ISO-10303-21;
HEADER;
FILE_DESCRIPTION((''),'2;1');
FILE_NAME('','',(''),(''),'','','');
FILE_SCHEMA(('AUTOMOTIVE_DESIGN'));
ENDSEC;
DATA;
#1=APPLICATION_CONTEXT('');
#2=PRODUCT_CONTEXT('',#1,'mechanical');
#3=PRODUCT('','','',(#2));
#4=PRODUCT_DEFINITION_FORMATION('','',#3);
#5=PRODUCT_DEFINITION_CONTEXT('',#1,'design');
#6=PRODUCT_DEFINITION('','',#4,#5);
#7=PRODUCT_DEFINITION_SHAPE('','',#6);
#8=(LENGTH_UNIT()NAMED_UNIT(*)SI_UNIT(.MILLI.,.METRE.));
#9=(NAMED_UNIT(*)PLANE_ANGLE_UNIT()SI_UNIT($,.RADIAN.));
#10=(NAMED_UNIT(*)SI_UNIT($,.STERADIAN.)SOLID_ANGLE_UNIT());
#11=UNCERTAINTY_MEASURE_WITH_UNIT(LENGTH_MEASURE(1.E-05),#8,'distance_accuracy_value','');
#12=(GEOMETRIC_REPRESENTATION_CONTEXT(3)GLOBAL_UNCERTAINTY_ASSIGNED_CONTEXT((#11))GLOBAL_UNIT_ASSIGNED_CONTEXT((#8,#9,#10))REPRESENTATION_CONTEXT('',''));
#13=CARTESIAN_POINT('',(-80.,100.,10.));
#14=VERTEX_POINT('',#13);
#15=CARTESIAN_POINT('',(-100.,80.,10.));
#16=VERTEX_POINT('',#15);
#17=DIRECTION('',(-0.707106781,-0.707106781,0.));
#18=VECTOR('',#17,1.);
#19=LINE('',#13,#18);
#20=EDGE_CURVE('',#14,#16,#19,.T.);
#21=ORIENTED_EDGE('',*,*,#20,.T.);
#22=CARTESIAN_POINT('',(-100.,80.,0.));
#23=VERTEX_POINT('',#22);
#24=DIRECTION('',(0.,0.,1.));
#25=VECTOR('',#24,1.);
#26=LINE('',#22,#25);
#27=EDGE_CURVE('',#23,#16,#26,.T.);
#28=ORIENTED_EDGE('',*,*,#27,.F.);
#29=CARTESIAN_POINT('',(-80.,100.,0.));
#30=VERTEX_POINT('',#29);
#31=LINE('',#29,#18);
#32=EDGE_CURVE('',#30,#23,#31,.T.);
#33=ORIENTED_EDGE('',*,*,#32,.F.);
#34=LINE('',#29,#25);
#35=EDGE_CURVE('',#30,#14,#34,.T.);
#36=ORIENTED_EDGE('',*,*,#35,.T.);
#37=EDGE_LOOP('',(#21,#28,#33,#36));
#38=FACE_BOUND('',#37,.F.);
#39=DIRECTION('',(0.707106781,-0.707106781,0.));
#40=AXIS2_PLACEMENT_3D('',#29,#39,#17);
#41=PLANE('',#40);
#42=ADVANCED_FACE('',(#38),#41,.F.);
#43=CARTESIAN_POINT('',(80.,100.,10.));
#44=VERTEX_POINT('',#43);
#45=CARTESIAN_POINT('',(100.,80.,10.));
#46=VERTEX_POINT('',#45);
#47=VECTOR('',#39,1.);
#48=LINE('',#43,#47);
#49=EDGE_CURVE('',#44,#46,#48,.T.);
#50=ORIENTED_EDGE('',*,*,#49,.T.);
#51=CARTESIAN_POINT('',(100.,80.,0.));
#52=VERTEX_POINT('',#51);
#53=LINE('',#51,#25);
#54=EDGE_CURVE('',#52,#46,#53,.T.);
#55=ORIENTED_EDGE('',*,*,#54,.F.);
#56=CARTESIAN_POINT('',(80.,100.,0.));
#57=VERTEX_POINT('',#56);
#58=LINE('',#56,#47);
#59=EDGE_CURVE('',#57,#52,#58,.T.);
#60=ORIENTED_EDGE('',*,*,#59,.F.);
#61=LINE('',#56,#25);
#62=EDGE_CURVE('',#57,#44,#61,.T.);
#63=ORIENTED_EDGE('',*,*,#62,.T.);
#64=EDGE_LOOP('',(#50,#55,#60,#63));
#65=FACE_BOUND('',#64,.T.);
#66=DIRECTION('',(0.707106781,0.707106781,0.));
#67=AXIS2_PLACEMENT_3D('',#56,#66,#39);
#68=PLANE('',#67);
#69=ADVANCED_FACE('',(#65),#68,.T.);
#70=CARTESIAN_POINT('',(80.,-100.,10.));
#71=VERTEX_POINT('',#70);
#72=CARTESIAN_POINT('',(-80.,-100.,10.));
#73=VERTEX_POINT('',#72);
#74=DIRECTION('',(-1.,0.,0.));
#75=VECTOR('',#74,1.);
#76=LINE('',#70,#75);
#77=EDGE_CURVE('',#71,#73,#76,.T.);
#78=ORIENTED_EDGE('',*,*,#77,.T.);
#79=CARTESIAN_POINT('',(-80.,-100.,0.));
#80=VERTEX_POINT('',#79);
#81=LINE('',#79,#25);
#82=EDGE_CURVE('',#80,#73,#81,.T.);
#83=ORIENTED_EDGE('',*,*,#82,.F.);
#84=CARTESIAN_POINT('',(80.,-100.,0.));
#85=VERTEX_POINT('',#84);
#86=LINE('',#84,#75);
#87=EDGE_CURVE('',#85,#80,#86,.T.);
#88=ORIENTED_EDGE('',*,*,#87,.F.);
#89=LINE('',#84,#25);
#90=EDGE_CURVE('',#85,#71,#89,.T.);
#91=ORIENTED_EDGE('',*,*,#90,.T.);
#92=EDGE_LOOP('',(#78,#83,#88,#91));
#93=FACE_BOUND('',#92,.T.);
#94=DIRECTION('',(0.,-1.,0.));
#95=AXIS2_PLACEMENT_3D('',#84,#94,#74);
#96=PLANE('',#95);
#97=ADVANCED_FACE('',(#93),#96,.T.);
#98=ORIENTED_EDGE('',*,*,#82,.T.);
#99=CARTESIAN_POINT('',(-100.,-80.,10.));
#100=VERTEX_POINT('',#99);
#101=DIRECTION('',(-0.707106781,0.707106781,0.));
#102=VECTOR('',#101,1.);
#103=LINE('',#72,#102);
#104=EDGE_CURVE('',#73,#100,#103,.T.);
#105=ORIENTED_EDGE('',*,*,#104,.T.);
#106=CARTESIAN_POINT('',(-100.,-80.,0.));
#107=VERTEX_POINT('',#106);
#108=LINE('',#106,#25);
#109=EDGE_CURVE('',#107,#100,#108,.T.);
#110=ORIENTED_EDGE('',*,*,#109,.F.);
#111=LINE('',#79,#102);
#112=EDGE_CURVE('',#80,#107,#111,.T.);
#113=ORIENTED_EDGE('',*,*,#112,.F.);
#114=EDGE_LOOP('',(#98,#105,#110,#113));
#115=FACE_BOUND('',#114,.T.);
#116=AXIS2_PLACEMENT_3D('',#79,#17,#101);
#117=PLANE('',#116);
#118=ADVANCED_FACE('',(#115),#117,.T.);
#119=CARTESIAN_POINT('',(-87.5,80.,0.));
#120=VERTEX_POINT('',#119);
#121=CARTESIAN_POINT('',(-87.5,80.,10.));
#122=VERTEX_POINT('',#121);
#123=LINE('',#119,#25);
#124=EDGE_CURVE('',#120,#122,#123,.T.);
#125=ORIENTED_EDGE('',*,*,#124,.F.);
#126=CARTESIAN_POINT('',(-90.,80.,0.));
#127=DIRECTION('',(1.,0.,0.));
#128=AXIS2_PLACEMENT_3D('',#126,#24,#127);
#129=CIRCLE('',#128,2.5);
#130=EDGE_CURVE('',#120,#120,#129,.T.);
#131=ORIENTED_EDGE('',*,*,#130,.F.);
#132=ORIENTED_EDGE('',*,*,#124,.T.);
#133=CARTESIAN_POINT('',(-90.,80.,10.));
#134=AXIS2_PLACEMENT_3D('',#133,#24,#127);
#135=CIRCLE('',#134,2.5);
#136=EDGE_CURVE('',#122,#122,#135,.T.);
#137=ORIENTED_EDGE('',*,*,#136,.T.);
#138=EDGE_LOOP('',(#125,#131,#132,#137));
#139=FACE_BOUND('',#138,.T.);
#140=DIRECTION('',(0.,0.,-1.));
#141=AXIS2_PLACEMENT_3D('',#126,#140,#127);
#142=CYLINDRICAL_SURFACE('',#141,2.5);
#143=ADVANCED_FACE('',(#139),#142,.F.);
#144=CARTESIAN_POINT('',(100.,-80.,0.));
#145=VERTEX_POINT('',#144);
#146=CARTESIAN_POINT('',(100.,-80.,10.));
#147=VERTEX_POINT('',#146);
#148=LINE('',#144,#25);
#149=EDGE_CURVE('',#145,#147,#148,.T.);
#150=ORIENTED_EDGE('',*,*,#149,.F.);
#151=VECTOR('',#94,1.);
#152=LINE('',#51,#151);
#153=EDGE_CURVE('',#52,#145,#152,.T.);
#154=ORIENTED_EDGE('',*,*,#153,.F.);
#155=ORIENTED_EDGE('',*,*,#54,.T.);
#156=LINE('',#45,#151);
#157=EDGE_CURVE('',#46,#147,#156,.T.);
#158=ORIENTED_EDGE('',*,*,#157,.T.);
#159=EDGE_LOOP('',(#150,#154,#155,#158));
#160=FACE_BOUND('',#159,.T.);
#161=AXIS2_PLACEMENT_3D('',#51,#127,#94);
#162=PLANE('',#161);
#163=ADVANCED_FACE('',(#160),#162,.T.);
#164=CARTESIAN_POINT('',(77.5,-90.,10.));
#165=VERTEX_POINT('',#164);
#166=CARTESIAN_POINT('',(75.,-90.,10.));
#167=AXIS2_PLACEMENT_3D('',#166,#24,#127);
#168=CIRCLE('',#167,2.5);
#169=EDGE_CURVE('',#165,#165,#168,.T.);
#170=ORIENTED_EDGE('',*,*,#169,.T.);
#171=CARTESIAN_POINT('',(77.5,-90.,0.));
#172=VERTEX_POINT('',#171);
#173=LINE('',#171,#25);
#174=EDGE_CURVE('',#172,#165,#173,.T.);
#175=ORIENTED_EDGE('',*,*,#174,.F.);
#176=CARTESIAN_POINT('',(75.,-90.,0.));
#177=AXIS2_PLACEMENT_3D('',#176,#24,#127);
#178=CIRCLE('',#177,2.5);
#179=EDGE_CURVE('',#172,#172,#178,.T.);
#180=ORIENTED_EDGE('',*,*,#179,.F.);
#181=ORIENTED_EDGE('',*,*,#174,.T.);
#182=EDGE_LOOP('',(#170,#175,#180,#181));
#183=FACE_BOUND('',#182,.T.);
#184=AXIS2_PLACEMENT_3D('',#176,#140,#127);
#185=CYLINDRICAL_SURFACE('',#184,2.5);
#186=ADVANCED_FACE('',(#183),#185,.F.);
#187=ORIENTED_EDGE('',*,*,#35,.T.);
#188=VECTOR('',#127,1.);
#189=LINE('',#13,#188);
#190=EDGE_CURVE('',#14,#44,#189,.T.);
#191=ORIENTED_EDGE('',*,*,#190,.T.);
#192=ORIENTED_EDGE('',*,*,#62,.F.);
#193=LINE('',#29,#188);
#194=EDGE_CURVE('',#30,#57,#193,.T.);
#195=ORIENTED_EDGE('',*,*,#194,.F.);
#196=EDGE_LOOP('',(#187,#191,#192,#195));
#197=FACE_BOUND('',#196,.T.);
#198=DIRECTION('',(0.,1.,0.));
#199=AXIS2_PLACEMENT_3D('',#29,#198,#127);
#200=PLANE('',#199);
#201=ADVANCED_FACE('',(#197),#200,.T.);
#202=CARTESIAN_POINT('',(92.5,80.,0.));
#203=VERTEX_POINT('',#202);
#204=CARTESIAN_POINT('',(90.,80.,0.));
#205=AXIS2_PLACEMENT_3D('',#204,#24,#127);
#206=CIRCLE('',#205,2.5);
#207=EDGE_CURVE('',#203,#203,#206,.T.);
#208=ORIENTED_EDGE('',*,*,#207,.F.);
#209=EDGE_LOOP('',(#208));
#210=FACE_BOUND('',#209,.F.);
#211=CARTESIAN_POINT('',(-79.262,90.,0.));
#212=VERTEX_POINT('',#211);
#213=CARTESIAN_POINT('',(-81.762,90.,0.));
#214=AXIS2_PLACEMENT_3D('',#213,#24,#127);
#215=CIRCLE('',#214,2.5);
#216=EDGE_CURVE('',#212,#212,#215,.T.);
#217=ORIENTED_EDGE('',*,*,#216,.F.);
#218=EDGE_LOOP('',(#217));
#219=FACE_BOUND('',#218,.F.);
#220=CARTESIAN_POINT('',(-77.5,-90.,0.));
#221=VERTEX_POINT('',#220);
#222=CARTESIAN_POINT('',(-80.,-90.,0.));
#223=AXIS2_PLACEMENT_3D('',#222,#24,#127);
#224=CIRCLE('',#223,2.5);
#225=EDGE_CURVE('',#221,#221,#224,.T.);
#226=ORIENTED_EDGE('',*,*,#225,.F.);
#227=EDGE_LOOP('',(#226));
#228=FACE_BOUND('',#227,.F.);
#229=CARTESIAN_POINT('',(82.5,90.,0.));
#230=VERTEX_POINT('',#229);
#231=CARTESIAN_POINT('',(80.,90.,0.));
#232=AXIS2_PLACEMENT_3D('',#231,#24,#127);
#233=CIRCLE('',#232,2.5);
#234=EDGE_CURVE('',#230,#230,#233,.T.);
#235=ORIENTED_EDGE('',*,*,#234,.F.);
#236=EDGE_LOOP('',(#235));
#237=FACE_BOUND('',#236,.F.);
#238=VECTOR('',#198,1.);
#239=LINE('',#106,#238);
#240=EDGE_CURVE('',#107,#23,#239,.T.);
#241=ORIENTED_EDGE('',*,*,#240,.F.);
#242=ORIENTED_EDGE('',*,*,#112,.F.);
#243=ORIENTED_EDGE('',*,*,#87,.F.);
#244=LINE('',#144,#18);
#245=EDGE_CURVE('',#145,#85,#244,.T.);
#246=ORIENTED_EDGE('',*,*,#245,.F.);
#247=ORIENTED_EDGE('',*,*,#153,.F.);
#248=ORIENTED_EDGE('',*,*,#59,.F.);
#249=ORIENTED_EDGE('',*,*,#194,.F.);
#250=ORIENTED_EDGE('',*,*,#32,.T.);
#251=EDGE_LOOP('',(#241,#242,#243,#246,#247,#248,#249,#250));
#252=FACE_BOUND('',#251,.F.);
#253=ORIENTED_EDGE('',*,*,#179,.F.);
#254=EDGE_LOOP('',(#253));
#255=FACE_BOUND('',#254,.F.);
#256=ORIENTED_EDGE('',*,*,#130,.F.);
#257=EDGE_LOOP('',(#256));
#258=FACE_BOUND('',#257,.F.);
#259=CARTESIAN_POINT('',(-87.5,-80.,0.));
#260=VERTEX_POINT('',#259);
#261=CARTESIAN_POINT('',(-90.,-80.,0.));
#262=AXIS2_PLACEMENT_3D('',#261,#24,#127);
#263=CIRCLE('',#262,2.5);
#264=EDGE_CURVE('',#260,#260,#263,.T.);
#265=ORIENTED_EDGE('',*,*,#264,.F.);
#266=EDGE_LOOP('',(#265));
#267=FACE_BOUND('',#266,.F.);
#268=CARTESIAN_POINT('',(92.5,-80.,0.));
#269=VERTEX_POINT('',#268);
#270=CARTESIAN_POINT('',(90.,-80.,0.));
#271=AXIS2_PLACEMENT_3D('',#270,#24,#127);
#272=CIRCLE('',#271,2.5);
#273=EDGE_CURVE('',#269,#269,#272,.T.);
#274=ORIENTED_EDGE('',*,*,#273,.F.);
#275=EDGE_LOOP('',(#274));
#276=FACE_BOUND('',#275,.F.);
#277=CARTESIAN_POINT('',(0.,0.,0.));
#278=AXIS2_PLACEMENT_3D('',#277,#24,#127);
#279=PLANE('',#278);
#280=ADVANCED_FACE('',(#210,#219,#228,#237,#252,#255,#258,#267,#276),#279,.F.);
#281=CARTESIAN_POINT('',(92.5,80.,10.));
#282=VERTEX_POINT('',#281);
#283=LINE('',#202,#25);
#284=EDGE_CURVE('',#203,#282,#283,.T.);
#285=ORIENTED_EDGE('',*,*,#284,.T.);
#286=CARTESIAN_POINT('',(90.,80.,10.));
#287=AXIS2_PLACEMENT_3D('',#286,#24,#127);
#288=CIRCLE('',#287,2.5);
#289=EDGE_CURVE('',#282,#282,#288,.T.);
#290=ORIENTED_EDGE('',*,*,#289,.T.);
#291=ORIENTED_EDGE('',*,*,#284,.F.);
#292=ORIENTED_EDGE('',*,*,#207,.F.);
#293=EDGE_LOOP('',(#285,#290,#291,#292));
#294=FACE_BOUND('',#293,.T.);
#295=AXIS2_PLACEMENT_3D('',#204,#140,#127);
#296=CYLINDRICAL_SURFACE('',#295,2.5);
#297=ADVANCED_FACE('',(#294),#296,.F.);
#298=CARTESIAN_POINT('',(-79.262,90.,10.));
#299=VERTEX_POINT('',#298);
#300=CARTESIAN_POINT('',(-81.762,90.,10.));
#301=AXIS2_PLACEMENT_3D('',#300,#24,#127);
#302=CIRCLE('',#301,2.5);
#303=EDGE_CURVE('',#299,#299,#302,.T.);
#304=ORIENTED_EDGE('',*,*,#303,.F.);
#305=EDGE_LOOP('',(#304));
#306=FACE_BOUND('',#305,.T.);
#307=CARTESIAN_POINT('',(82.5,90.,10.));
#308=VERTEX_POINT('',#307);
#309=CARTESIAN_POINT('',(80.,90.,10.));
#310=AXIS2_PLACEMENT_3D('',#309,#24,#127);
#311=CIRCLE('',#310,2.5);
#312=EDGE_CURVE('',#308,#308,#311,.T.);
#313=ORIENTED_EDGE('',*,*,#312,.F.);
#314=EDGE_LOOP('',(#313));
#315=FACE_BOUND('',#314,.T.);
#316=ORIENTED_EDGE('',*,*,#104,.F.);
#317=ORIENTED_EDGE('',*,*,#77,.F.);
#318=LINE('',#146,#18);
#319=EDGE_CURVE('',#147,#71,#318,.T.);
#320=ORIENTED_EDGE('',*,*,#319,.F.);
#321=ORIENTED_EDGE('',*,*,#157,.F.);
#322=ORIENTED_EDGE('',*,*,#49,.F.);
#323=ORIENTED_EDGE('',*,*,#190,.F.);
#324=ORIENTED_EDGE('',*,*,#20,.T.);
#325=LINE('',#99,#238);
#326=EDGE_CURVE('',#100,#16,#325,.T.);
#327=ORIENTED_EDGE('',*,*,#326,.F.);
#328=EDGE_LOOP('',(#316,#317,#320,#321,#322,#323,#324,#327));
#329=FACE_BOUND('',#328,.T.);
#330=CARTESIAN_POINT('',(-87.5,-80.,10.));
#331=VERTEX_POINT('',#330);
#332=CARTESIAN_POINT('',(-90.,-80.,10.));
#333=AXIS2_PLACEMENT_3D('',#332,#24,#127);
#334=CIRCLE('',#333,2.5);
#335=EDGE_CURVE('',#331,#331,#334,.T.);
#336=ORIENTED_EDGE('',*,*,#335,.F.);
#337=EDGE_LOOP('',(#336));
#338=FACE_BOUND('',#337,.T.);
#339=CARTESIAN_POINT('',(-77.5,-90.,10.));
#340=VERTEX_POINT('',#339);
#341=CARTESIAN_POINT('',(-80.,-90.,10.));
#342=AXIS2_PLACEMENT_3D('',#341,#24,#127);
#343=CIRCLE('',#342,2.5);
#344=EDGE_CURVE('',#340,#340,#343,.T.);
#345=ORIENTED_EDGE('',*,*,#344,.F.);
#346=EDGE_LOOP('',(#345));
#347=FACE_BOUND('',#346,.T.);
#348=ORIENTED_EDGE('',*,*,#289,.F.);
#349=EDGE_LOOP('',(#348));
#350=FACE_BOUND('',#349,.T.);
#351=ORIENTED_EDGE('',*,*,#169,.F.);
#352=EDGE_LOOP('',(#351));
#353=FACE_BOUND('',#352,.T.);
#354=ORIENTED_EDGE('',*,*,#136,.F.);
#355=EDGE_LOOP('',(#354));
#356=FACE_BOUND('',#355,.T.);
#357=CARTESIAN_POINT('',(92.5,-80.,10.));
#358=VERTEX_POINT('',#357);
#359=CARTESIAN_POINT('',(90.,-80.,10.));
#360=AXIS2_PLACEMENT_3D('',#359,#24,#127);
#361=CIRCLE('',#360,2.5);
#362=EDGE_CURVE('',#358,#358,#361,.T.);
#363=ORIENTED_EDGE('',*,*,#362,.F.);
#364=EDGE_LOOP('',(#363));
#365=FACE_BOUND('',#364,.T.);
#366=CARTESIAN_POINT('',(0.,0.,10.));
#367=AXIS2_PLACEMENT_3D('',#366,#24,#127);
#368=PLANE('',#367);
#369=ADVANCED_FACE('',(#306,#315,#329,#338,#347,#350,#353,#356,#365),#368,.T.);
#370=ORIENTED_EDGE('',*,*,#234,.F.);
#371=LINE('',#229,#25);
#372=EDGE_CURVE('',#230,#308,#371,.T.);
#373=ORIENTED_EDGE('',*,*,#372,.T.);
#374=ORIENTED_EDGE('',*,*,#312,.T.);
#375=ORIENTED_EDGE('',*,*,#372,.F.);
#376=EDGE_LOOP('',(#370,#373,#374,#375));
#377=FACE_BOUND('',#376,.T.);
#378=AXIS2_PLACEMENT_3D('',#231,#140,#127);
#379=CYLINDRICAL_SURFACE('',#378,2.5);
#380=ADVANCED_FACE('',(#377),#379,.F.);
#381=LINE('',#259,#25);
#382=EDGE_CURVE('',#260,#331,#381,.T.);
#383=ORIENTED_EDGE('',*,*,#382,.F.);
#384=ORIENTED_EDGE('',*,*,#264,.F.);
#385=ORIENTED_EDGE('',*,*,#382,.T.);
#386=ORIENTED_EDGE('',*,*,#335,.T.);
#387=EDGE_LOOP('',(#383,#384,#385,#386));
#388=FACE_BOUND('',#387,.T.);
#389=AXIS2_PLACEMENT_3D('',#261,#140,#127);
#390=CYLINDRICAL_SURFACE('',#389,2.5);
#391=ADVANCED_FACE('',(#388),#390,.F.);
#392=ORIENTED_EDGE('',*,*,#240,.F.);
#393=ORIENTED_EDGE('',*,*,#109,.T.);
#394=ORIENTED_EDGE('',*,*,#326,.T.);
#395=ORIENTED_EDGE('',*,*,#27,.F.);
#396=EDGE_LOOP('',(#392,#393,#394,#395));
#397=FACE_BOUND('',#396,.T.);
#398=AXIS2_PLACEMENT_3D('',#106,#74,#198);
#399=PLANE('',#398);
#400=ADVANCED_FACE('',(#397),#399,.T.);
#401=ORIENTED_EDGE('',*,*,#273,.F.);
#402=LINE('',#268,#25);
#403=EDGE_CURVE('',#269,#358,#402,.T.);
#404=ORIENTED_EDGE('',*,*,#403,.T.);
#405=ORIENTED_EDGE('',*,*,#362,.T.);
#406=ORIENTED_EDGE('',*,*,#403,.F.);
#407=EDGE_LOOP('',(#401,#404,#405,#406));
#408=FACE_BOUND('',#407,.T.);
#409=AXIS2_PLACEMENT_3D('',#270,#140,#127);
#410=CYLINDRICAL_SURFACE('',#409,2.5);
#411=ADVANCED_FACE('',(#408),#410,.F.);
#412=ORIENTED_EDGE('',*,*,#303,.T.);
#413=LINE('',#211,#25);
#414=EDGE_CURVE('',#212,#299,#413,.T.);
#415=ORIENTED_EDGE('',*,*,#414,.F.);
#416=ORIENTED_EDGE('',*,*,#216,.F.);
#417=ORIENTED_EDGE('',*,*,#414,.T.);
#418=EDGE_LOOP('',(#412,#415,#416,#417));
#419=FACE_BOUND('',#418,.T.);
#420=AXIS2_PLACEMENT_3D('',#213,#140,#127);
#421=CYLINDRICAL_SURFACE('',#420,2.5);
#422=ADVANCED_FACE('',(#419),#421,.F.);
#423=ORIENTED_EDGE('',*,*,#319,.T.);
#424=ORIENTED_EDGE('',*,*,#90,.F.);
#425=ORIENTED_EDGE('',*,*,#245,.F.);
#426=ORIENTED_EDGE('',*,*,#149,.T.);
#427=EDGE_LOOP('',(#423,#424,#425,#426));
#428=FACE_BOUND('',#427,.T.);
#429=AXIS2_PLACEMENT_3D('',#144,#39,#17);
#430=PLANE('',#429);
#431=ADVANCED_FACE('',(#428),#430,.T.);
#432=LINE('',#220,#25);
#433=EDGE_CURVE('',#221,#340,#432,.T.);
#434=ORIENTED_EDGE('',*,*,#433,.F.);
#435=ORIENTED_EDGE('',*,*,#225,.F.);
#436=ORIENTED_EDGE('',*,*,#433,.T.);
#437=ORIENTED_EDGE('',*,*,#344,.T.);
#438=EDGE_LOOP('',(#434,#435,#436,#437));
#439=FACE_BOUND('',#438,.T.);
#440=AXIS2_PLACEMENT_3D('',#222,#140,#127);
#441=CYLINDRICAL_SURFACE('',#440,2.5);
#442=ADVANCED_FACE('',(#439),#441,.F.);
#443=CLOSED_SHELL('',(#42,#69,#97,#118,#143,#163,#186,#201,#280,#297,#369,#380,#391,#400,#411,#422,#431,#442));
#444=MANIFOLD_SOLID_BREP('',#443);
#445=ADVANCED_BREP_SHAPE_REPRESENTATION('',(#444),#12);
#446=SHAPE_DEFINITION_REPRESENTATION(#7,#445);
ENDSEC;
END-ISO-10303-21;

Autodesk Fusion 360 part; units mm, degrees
sketch "Sketch1" plane through (0, 0, 0) normal (0, 0, 1) x (1, 0, 0)
  line L0 (-80, 100) -> (80, 100)
  line L1 (100, 80) -> (100, -80)
  line L2 (80, -100) -> (-80, -100)
  line L3 (-100, -80) -> (-100, 80)
  line L4 (-80, 100) -> (-100, 80)
  line L5 (80, 100) -> (100, 80)
  line L6 (-80, -100) -> (-100, -80)
  line L7 (100, -80) -> (80, -100)
  circle A0 centre (90, 80) radius 2.5
  circle A1 centre (80, 90) radius 2.5
  circle A2 centre (-81.762, 90) radius 2.5
  circle A3 centre (-90, 80) radius 2.5
  circle A4 centre (-90, -80) radius 2.5
  circle A5 centre (-80, -90) radius 2.5
  circle A6 centre (75, -90) radius 2.5
  circle A7 centre (90, -80) radius 2.5
  point P0 (-100, 100)
  point P1 (100, 100)
  point P2 (100, -100)
  point P3 (-100, -100)
  dimension "d4" = 200
  dimension "d5" = 200
  dimension "d6" = 20
  dimension "d7" = 20
  dimension "d8" = 20
  dimension "d9" = 20
  dimension "d10" = 20
  dimension "d11" = 20
  dimension "d12" = 20
  dimension "d13" = 20
  dimension "d14" = 5
  dimension "d15" = 5
  dimension "d16" = 5
  dimension "d17" = 5
  dimension "d18" = 5
  dimension "d19" = 5
  dimension "d20" = 5
  dimension "d21" = 5
extrude "Extrude2" add sketch "Sketch1" along normal blind 10
extrude "Extrude1" [suppressed]
equation "d7 = d6"
equation "d9 = d8"
equation "d11 = d10"
equation "d13 = d12"
